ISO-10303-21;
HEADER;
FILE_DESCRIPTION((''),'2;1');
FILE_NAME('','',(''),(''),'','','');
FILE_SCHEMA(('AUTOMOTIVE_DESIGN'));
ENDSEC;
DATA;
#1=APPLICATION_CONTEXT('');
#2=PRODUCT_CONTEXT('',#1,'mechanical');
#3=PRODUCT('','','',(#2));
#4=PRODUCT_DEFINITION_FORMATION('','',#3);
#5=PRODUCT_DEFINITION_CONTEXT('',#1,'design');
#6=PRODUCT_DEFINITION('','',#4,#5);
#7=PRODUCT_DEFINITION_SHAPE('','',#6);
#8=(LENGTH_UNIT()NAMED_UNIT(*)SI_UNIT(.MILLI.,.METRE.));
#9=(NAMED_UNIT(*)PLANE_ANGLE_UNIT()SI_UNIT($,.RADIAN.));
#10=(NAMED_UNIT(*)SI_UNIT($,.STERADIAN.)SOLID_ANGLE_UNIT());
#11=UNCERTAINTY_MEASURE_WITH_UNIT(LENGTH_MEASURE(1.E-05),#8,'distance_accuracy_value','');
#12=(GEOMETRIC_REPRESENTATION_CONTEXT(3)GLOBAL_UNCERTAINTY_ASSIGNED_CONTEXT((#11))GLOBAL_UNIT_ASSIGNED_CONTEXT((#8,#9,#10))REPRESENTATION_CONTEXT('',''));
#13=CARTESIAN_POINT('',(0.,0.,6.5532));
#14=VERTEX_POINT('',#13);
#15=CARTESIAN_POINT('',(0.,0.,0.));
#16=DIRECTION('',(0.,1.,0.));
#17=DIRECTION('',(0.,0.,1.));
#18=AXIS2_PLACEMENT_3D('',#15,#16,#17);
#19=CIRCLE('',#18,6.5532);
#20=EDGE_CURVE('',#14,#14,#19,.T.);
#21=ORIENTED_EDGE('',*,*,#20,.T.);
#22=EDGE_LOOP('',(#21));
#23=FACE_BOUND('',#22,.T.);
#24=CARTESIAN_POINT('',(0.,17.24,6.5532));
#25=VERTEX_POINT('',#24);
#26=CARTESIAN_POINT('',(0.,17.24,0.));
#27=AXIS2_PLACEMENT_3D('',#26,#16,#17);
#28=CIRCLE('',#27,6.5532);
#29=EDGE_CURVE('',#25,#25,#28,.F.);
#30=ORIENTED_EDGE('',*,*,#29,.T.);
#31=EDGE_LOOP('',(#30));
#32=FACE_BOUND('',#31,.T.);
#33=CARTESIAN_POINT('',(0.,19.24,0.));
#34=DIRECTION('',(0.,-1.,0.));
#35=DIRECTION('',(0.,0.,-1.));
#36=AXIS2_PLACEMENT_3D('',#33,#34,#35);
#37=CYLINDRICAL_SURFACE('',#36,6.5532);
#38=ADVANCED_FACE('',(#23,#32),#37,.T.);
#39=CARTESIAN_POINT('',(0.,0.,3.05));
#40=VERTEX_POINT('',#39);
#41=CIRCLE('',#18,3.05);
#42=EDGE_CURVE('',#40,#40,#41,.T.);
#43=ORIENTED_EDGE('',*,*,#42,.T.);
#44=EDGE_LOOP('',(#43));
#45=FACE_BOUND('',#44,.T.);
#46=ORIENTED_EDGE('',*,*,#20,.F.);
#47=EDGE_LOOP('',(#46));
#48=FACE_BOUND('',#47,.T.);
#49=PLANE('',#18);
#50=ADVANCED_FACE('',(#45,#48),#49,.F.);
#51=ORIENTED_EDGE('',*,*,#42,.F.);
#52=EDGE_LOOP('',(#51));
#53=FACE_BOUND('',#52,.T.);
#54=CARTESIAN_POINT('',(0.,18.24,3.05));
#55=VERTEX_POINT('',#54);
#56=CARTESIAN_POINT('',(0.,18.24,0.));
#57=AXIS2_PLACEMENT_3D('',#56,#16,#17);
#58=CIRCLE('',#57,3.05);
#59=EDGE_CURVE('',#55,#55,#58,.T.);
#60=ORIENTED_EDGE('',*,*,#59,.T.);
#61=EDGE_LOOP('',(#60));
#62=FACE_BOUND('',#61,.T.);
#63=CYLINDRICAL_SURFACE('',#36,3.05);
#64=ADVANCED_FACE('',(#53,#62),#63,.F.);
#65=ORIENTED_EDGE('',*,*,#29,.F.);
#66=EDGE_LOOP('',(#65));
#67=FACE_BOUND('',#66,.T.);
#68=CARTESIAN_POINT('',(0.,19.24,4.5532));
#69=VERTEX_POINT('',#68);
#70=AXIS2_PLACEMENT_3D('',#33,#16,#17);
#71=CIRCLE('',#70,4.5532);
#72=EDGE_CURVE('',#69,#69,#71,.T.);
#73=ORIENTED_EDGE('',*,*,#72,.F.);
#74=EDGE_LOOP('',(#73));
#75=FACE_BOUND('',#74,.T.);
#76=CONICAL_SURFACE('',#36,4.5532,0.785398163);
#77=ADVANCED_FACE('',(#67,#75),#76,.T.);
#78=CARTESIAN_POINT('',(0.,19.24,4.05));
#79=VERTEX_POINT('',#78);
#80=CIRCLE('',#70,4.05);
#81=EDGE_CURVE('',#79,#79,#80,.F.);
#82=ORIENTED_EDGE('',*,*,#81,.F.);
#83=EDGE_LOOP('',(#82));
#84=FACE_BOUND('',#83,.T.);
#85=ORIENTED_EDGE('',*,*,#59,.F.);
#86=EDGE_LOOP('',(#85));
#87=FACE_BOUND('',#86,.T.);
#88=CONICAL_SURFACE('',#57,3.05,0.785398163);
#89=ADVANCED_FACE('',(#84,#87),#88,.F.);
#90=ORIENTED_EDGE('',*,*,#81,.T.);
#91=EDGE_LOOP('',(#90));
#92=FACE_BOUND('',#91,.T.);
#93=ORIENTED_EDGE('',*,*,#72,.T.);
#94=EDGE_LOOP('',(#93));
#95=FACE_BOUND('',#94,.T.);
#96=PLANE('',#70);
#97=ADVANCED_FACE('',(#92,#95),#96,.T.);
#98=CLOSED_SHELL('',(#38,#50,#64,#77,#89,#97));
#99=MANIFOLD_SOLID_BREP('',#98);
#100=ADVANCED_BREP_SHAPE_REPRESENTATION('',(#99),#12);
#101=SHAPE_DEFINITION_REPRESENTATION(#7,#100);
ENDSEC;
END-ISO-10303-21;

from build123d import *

# Parameters (mm, degrees)
SKETCH1_R           = 6.5532
SKETCH1_R_2         = 3.05
BOSS_EXTRUDE1_DEPTH = 19.24
CHAMFER1_SIZE       = 2
CHAMFER2_SIZE       = 1


with BuildPart() as part:
    # Sketch1 → Boss-Extrude1 (new body)
    with BuildSketch(Plane(origin=(0, 0, 0), x_dir=(1, 0, 0), z_dir=(0, 1, 0))):
        with Locations(Location((0, 0, 0), (0, 0, 270))):
            Circle(SKETCH1_R)
        with Locations(Location((0, 0, 0), (0, 0, 270))):
            Circle(SKETCH1_R_2, mode=Mode.SUBTRACT)
    extrude(amount=BOSS_EXTRUDE1_DEPTH)

    # Chamfer1
    chamfer1_edges = [part.edges().sort_by_distance(p)[0] for p in [
        (0, 19.24, -6.5532),
    ]]
    chamfer(chamfer1_edges, length=CHAMFER1_SIZE)

    # Chamfer2
    chamfer2_edges = [part.edges().sort_by_distance(p)[0] for p in [
        (0, 19.24, -3.05),
    ]]
    chamfer(chamfer2_edges, length=CHAMFER2_SIZE)


solid = part.part
